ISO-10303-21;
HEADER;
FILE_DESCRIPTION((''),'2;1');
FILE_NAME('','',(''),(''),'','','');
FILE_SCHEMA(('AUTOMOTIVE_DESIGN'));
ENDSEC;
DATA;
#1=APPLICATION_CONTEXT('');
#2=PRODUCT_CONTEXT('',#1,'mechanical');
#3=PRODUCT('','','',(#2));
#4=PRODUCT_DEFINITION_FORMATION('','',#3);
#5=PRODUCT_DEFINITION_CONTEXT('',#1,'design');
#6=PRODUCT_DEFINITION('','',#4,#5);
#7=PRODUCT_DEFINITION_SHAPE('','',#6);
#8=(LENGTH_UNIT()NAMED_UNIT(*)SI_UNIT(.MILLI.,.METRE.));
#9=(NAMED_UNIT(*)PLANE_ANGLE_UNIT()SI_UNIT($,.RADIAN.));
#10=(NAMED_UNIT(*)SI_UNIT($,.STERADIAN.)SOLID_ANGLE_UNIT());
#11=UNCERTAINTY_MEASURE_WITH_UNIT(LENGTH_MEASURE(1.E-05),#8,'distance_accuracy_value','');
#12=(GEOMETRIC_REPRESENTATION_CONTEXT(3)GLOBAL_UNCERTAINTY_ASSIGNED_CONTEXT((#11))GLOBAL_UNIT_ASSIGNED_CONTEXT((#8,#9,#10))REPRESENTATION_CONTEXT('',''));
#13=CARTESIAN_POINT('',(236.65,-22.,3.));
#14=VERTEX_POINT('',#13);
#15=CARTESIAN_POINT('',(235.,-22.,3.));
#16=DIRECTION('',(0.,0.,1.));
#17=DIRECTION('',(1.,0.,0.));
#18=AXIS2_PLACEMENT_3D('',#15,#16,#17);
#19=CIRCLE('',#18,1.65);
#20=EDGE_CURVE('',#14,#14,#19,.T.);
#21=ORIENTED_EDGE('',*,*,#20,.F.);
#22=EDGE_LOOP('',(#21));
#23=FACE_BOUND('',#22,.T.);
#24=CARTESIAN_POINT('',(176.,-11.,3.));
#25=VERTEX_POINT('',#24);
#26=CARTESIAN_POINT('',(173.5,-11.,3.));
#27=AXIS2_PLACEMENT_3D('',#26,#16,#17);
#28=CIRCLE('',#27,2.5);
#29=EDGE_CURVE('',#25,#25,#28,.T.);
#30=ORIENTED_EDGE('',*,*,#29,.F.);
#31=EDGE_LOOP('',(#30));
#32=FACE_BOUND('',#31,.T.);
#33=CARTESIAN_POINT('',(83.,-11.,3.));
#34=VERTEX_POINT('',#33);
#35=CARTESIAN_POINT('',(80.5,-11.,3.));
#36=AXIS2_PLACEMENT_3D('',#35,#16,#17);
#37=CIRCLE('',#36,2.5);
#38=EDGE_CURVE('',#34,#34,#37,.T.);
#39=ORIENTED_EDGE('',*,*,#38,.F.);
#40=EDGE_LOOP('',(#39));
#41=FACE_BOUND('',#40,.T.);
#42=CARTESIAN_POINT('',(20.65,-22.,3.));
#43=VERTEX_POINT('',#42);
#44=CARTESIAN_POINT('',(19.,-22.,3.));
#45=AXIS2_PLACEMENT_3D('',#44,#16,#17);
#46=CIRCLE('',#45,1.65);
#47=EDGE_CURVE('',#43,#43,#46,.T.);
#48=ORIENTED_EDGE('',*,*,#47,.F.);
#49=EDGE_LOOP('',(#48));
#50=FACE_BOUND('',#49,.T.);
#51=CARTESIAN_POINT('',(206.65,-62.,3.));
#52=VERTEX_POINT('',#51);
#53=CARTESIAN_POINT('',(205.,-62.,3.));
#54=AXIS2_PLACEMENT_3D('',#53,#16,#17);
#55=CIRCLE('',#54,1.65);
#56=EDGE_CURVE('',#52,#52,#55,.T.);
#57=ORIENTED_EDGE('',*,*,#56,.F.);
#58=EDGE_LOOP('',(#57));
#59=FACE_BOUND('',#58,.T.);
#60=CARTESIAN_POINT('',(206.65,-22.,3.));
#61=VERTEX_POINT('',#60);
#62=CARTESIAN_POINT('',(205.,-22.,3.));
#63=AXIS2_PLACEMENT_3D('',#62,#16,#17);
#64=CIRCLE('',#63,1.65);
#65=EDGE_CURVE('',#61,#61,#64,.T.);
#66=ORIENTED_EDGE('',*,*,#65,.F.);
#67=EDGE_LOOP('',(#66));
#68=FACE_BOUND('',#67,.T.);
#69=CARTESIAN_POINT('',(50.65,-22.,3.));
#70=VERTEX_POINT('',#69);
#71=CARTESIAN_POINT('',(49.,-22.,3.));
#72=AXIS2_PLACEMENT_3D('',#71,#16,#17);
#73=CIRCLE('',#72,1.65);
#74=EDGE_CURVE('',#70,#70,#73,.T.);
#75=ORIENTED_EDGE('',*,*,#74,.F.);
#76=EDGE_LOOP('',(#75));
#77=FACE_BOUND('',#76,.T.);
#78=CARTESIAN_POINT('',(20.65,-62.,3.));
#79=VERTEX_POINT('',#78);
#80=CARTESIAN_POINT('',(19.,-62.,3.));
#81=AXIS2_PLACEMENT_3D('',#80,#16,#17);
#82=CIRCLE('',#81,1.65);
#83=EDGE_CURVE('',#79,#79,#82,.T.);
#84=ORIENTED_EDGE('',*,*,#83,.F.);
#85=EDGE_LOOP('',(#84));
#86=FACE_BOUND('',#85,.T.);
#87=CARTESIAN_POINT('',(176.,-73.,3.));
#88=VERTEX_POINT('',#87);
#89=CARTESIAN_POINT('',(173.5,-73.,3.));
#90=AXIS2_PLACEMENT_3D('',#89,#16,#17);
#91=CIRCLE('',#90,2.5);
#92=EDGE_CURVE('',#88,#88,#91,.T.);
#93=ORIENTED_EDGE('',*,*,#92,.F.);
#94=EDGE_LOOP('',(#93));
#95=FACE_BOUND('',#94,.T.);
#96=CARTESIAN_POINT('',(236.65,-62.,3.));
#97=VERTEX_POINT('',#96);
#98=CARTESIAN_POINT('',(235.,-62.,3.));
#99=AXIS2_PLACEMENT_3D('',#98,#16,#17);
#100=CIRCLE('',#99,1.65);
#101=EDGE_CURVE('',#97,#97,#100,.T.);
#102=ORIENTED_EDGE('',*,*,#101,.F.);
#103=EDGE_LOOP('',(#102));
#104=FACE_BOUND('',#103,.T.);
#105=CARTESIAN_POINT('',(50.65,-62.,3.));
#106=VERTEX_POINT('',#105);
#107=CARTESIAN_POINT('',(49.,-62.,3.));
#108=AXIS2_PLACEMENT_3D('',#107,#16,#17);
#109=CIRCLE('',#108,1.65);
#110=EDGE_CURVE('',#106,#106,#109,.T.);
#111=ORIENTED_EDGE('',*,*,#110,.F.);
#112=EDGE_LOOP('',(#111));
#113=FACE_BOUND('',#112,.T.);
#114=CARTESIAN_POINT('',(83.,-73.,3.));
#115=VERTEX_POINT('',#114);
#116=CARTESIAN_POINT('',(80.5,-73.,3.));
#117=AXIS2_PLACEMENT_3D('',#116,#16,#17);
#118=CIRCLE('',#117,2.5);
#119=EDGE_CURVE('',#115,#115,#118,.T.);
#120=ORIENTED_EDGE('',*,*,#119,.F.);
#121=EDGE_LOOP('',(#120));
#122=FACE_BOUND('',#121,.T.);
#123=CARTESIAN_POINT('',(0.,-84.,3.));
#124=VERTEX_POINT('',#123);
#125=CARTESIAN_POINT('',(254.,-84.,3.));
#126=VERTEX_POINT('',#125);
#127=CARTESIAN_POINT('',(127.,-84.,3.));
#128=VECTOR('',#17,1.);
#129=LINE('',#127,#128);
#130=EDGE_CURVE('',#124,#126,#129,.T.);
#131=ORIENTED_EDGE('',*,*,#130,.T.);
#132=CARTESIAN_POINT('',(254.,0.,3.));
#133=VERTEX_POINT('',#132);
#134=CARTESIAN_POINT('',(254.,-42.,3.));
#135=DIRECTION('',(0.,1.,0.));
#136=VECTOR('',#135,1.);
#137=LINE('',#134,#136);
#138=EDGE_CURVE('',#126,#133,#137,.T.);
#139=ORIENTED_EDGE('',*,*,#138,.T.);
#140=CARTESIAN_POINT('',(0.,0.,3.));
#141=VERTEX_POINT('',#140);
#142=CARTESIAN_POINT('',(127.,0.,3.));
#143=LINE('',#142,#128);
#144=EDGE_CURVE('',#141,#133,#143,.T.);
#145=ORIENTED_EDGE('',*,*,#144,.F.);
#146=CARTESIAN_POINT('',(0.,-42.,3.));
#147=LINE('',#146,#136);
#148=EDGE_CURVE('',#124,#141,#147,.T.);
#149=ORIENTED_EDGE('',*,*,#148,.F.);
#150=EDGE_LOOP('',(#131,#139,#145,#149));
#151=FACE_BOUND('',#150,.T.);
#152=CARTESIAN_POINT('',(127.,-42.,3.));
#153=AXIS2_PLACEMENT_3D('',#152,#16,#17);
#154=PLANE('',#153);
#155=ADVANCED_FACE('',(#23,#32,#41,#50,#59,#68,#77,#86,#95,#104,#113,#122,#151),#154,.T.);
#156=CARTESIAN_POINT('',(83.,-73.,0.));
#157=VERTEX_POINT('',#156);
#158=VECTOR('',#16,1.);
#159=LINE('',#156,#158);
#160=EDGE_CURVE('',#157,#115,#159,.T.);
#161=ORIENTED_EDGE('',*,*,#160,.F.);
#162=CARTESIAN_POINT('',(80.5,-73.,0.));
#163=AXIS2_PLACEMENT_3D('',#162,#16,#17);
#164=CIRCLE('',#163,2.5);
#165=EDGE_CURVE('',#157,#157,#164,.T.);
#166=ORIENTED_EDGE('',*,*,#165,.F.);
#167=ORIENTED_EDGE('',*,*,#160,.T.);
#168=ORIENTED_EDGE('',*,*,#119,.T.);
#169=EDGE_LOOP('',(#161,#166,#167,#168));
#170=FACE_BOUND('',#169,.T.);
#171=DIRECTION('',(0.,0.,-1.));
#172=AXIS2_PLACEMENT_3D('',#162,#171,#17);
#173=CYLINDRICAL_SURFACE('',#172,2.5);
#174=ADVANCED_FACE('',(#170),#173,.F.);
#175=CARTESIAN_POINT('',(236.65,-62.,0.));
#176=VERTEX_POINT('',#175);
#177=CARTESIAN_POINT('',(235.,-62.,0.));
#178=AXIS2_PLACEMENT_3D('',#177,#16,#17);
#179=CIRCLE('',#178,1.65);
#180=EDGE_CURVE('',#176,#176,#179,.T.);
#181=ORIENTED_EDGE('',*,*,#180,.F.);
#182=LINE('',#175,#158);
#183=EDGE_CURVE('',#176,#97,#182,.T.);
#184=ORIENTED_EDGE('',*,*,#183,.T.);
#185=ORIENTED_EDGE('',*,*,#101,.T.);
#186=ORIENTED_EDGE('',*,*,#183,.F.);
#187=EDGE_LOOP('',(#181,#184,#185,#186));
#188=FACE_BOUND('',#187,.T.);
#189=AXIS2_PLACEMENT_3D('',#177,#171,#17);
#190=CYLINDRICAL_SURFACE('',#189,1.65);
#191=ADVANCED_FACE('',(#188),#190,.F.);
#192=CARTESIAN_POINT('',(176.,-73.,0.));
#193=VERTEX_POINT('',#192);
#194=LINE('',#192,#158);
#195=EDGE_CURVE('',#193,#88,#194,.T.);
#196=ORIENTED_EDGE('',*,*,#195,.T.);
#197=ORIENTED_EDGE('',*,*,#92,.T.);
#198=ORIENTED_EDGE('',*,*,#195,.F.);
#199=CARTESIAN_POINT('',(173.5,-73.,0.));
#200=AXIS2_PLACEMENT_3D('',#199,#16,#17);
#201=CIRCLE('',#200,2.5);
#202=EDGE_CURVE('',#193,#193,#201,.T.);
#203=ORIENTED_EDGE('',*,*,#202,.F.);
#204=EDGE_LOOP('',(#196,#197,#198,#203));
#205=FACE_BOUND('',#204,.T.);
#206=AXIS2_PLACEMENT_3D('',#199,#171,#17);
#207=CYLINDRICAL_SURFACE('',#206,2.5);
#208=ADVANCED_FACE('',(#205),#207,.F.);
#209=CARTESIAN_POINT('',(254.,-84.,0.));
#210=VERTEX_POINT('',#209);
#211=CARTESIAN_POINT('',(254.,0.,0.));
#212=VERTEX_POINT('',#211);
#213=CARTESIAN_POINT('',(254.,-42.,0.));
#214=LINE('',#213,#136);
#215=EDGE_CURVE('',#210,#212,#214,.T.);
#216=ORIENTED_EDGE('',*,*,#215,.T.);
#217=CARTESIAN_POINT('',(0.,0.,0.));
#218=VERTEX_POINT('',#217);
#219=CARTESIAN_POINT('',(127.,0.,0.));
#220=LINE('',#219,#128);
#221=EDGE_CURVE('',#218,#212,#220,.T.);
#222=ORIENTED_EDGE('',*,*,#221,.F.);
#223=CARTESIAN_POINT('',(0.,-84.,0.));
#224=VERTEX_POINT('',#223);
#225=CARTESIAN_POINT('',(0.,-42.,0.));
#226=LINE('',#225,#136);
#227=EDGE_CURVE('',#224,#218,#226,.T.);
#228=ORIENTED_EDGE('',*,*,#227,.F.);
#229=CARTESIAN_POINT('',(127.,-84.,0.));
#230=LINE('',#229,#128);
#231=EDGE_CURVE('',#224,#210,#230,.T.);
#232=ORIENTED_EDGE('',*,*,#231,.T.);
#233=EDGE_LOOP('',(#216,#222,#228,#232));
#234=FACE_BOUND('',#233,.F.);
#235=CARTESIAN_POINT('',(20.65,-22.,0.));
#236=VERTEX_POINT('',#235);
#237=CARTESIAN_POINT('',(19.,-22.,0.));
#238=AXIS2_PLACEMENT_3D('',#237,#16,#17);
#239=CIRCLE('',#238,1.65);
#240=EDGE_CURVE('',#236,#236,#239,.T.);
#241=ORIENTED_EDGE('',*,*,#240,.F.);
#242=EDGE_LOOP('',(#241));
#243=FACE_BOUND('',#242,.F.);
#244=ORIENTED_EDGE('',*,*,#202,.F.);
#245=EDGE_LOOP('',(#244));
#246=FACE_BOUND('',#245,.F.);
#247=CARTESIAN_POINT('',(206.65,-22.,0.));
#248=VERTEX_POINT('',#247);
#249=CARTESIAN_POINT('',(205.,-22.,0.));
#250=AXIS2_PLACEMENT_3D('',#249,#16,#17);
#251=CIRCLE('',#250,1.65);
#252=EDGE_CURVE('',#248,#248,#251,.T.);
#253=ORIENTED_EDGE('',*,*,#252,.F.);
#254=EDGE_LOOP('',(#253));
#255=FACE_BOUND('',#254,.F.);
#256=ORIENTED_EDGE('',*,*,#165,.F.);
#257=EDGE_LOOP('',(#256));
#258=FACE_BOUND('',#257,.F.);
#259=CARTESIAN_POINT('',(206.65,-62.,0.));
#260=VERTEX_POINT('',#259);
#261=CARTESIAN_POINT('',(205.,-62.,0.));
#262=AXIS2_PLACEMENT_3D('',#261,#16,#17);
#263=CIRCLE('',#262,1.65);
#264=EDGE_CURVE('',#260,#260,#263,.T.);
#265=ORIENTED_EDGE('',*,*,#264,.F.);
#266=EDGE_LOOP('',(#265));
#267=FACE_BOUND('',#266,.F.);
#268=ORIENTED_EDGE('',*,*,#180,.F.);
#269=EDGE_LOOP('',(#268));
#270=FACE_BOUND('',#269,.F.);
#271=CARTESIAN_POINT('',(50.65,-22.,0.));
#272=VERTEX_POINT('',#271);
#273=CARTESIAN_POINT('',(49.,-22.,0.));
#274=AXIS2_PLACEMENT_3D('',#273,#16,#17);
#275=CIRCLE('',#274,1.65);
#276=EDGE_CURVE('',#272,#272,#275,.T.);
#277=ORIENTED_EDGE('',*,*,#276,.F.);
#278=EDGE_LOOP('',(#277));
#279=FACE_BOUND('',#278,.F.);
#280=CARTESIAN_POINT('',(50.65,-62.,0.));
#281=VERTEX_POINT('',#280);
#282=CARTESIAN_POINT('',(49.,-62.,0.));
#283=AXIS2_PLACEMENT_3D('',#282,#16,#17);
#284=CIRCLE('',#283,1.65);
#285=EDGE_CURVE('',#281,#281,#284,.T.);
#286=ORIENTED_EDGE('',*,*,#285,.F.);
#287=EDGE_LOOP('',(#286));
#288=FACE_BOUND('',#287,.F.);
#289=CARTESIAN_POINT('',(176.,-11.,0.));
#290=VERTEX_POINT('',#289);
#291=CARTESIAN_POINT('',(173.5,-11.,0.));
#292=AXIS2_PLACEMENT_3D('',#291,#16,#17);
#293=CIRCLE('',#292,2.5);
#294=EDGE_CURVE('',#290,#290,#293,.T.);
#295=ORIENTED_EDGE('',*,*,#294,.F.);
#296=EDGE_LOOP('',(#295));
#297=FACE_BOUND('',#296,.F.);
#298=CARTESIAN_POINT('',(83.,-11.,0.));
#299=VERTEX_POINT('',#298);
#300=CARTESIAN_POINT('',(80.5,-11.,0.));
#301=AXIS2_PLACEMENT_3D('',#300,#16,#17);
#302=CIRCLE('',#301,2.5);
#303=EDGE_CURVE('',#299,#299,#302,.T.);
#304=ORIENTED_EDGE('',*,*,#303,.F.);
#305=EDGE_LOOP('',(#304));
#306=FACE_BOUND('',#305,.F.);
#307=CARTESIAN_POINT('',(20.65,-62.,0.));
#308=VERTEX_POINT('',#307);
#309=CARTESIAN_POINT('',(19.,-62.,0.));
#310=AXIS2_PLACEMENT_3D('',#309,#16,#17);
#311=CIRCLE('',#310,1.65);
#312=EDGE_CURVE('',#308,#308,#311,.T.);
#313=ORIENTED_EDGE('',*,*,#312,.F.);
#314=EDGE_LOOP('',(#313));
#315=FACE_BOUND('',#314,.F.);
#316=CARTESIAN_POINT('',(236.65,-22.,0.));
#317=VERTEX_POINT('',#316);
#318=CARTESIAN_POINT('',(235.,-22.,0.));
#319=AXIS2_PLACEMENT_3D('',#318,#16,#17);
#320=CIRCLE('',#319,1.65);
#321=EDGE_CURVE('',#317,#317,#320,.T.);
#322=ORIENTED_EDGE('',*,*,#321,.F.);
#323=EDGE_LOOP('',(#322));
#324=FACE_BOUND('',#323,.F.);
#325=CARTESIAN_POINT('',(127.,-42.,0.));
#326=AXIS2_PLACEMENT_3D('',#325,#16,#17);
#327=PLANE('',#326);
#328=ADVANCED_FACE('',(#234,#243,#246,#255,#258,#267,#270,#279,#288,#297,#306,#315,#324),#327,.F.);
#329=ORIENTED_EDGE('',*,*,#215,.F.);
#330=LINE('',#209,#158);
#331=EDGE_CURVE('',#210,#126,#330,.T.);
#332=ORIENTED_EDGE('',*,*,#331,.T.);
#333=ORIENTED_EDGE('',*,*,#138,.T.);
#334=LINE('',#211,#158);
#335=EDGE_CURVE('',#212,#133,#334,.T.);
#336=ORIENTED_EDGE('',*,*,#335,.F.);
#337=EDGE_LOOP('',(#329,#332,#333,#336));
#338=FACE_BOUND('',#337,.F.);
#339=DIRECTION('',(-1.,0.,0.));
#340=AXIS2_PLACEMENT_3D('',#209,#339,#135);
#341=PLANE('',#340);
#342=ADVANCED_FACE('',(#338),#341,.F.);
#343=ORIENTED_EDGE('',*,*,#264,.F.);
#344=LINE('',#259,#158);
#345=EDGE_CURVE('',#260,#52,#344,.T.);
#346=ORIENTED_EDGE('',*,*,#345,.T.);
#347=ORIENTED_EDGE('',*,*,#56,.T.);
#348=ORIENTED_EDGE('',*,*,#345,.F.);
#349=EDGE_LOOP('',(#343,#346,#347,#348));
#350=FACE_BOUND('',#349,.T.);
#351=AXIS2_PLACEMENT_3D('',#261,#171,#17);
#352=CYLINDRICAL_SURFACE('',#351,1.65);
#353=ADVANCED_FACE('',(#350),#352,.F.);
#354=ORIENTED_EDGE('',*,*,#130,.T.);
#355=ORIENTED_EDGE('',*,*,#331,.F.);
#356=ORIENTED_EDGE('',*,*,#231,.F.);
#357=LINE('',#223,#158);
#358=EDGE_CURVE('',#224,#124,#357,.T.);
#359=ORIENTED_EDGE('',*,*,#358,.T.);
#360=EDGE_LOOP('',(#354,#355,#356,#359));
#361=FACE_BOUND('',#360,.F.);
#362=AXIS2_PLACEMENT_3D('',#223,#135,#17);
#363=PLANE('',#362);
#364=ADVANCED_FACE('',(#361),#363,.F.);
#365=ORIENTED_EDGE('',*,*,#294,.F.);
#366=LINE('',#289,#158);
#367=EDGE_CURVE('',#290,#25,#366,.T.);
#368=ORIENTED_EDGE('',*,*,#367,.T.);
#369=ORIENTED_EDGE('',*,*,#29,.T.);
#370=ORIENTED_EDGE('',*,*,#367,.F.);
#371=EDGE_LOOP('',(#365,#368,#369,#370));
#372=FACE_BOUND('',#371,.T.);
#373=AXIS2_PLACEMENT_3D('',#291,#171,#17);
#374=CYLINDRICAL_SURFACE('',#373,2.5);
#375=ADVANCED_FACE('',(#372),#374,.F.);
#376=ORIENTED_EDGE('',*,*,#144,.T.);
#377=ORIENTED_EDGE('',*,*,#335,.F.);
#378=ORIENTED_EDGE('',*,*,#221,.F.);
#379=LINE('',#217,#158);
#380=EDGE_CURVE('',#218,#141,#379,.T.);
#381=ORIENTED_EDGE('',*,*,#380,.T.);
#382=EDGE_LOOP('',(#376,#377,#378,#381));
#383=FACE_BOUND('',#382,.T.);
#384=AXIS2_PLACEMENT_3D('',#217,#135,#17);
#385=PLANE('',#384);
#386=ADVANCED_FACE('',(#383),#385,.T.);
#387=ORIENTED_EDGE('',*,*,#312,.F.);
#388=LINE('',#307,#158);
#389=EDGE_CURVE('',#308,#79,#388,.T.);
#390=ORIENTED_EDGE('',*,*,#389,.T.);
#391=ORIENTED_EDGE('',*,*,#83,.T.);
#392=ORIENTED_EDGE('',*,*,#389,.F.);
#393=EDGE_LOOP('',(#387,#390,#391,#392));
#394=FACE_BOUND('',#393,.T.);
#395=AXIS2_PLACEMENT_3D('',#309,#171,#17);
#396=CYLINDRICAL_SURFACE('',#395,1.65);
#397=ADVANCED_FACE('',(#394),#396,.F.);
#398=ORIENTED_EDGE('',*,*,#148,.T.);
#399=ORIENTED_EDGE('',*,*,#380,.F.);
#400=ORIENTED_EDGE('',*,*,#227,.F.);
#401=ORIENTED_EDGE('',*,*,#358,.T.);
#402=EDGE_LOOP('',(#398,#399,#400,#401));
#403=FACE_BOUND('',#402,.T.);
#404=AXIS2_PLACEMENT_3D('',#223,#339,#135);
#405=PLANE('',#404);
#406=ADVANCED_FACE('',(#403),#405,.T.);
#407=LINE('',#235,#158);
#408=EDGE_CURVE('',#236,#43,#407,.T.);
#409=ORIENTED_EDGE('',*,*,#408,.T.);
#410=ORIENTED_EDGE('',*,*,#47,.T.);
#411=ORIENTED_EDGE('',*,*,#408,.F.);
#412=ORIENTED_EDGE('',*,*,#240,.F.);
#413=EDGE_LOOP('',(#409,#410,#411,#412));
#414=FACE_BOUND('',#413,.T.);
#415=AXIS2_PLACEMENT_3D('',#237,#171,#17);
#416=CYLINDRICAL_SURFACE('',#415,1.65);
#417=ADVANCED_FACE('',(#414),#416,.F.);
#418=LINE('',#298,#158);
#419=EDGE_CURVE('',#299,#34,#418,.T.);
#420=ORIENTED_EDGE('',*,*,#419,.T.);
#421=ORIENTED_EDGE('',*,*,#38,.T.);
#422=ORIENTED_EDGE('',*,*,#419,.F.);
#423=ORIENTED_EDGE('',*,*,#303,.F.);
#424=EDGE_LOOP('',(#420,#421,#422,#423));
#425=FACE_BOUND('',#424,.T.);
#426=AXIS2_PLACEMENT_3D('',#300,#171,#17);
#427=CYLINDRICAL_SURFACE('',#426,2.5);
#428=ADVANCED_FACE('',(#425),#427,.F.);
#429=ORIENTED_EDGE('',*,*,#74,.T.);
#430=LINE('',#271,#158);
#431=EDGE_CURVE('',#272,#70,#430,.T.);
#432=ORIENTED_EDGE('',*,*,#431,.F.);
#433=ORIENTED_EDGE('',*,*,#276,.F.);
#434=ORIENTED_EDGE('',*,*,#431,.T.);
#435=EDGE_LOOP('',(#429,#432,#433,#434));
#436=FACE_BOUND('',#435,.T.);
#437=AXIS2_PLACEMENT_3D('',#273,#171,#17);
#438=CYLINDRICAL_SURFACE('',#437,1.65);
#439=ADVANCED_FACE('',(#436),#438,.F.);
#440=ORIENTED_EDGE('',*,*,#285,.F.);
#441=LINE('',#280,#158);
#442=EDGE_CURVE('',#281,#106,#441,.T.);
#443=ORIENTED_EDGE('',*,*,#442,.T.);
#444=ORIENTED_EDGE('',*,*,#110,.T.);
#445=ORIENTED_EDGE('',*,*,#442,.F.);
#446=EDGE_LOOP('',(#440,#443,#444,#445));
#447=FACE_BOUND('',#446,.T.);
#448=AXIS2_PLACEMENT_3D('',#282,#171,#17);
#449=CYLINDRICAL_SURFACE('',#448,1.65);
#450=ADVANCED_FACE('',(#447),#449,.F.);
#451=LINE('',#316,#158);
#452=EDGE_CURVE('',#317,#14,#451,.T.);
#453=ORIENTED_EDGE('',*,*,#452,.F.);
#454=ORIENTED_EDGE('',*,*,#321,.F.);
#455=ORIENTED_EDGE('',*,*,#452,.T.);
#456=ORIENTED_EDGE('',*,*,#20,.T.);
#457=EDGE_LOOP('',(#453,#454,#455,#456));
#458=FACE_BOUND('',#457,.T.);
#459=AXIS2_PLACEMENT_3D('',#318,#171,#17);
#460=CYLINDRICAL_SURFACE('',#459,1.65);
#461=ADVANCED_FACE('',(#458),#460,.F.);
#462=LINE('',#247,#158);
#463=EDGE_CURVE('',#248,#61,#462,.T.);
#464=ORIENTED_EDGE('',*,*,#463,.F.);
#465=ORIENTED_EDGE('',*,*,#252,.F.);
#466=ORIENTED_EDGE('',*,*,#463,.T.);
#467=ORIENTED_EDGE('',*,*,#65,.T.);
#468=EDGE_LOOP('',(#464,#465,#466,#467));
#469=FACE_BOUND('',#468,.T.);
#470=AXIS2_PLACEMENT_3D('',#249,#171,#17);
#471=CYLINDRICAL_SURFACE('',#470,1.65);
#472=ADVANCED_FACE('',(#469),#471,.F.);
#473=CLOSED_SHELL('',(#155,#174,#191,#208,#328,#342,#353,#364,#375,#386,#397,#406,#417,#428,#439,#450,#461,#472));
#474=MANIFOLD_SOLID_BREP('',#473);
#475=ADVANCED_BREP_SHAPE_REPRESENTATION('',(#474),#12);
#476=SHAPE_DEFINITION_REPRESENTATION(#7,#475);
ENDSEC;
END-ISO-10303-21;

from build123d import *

# Parameters (mm, degrees)
F0_W     = 254
F0_H     = 84
F0_R     = 2.5
F0_R_2   = 1.65
F1_DEPTH = 3


with BuildPart() as f1:
    # F0 (on Top) → F1 (new body)
    with BuildSketch(Plane.XY):
        with Locations((127, -42)):
            Rectangle(F0_W, F0_H)
        with Locations((80.5, -73)):
            Circle(F0_R, mode=Mode.SUBTRACT)
        with Locations((19, -62)):
            Circle(F0_R_2, mode=Mode.SUBTRACT)
        with Locations((49, -62)):
            Circle(F0_R_2, mode=Mode.SUBTRACT)
        with Locations((173.5, -73)):
            Circle(F0_R, mode=Mode.SUBTRACT)
        with Locations((205, -62)):
            Circle(F0_R_2, mode=Mode.SUBTRACT)
        with Locations((235, -62)):
            Circle(F0_R_2, mode=Mode.SUBTRACT)
        with Locations((19, -22)):
            Circle(F0_R_2, mode=Mode.SUBTRACT)
        with Locations((49, -22)):
            Circle(F0_R_2, mode=Mode.SUBTRACT)
        with Locations((80.5, -11)):
            Circle(F0_R, mode=Mode.SUBTRACT)
        with Locations((205, -22)):
            Circle(F0_R_2, mode=Mode.SUBTRACT)
        with Locations((235, -22)):
            Circle(F0_R_2, mode=Mode.SUBTRACT)
        with Locations((173.5, -11)):
            Circle(F0_R, mode=Mode.SUBTRACT)
    extrude(amount=F1_DEPTH)


solid = f1.part
